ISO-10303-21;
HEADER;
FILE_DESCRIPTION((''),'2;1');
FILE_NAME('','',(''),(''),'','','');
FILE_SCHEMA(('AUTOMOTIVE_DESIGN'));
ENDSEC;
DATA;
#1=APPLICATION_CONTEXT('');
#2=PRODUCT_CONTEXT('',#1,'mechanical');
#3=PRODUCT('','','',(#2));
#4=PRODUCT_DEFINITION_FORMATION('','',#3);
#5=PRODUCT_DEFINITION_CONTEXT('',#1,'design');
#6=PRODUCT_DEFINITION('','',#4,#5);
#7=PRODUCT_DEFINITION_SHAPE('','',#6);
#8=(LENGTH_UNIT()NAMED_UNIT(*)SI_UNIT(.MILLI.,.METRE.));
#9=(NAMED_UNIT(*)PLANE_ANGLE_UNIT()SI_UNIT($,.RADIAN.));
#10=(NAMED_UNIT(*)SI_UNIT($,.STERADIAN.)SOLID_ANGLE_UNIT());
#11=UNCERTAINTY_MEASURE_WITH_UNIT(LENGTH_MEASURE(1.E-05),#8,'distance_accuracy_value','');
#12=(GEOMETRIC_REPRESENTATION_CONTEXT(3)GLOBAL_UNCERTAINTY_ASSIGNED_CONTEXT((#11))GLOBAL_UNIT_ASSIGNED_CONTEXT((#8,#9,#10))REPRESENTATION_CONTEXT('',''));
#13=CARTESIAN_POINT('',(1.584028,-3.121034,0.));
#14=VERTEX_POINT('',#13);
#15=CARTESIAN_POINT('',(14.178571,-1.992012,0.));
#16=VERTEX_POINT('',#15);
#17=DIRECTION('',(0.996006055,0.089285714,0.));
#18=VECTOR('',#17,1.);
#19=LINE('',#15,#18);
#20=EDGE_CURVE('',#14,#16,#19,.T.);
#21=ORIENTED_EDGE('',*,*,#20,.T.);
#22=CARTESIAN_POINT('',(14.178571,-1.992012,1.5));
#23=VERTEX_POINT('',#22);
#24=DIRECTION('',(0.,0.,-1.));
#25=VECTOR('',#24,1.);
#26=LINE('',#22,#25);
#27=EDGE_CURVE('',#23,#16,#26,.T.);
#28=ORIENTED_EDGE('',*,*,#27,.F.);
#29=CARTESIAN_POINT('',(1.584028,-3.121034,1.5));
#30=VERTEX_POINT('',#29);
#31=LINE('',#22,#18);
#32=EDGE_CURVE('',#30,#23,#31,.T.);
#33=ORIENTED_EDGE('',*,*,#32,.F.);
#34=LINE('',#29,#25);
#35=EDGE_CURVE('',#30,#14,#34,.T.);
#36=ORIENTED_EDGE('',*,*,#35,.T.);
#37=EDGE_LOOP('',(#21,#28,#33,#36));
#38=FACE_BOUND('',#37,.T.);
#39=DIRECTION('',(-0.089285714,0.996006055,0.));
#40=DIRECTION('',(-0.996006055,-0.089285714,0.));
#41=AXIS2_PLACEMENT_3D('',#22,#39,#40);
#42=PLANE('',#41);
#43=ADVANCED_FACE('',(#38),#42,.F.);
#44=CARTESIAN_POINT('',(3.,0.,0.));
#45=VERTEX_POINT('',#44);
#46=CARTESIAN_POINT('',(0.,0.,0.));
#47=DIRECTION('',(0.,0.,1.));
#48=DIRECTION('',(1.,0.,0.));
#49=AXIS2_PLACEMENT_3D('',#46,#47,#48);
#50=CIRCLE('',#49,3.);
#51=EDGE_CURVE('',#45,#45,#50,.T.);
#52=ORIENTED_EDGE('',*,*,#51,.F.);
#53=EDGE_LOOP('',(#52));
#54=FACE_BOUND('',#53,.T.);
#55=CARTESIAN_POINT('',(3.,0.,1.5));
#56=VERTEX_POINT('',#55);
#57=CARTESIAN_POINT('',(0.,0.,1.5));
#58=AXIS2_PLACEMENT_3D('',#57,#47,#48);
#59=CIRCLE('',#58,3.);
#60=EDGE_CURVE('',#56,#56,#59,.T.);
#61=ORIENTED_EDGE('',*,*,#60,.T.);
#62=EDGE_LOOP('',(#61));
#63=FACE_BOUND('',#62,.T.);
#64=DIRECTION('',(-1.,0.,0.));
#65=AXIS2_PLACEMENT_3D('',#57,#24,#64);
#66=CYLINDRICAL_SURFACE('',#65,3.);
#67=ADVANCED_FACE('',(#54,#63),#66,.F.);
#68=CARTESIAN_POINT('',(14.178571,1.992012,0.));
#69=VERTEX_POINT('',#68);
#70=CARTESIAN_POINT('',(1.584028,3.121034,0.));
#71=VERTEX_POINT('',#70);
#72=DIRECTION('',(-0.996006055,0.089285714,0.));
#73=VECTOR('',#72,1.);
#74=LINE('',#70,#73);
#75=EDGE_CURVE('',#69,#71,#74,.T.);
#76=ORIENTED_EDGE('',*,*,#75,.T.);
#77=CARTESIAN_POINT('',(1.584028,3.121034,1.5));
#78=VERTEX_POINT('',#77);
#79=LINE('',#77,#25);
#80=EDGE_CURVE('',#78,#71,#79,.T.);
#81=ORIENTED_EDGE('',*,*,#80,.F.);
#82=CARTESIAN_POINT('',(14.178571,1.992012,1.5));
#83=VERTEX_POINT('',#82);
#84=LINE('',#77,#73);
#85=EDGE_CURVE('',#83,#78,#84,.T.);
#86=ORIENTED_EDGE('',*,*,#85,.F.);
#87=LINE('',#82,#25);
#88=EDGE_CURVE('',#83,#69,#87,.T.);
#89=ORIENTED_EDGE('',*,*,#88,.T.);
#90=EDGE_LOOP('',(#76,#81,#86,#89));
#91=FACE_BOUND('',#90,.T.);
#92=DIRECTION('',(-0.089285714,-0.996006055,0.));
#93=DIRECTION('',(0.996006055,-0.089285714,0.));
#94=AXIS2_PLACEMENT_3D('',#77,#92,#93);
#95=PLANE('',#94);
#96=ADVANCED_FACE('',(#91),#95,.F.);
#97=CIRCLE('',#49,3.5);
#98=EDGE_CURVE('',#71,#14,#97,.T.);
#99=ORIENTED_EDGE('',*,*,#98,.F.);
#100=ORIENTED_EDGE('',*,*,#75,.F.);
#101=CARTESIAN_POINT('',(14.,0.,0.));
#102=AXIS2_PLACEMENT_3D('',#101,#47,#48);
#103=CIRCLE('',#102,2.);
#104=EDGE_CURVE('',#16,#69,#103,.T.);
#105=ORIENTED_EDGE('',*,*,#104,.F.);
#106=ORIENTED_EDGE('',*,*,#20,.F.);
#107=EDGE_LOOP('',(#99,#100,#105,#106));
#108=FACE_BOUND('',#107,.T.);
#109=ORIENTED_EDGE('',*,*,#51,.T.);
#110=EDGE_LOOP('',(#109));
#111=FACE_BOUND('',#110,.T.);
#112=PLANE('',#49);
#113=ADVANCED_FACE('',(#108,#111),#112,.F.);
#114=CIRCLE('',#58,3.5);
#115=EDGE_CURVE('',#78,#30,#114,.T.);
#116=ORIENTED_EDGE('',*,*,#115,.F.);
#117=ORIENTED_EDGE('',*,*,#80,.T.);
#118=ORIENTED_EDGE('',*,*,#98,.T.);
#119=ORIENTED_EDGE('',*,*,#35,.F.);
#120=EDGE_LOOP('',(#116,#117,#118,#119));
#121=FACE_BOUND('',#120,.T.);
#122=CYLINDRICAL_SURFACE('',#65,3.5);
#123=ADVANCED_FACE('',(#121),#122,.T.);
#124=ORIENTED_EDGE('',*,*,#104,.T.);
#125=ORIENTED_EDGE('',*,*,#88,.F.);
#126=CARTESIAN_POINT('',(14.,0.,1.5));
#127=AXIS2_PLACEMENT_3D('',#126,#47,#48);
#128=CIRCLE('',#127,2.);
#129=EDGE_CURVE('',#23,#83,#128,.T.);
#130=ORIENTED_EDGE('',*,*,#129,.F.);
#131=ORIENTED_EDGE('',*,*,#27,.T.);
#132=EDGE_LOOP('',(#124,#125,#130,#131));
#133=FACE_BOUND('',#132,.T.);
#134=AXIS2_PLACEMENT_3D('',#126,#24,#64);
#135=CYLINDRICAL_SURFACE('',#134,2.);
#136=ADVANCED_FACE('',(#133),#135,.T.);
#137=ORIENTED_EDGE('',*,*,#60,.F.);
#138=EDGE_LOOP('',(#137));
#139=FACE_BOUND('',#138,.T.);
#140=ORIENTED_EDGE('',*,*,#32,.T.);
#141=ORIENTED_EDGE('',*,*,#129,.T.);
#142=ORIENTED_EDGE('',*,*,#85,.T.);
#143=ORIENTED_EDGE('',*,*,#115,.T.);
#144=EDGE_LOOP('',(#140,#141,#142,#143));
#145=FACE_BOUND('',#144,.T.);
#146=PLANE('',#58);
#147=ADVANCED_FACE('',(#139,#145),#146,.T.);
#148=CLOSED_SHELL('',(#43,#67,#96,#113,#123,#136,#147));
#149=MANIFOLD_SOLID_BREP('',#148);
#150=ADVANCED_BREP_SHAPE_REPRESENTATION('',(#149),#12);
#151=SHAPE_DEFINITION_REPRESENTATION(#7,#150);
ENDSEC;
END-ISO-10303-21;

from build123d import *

# Parameters (mm, degrees)
SKETCH1_R           = 3
BOSS_EXTRUDE1_DEPTH = 1.5


with BuildPart() as part:
    # Sketch1 → Boss-Extrude1 (new body)
    with BuildSketch(Plane.XY):
        with BuildLine():
            Line((1.58402839, 3.121034133), (14.178571429, 1.99201211))
            ThreePointArc((14.178571429, 1.99201211), (16, 0), (14.178571429, -1.99201211))
            Line((14.178571429, -1.99201211), (1.58402839, -3.121034133))
            ThreePointArc((1.58402839, -3.121034133), (-3.5, 0), (1.58402839, 3.121034133))
        make_face()
        Circle(SKETCH1_R, mode=Mode.SUBTRACT)
    extrude(amount=BOSS_EXTRUDE1_DEPTH)


solid = part.part
